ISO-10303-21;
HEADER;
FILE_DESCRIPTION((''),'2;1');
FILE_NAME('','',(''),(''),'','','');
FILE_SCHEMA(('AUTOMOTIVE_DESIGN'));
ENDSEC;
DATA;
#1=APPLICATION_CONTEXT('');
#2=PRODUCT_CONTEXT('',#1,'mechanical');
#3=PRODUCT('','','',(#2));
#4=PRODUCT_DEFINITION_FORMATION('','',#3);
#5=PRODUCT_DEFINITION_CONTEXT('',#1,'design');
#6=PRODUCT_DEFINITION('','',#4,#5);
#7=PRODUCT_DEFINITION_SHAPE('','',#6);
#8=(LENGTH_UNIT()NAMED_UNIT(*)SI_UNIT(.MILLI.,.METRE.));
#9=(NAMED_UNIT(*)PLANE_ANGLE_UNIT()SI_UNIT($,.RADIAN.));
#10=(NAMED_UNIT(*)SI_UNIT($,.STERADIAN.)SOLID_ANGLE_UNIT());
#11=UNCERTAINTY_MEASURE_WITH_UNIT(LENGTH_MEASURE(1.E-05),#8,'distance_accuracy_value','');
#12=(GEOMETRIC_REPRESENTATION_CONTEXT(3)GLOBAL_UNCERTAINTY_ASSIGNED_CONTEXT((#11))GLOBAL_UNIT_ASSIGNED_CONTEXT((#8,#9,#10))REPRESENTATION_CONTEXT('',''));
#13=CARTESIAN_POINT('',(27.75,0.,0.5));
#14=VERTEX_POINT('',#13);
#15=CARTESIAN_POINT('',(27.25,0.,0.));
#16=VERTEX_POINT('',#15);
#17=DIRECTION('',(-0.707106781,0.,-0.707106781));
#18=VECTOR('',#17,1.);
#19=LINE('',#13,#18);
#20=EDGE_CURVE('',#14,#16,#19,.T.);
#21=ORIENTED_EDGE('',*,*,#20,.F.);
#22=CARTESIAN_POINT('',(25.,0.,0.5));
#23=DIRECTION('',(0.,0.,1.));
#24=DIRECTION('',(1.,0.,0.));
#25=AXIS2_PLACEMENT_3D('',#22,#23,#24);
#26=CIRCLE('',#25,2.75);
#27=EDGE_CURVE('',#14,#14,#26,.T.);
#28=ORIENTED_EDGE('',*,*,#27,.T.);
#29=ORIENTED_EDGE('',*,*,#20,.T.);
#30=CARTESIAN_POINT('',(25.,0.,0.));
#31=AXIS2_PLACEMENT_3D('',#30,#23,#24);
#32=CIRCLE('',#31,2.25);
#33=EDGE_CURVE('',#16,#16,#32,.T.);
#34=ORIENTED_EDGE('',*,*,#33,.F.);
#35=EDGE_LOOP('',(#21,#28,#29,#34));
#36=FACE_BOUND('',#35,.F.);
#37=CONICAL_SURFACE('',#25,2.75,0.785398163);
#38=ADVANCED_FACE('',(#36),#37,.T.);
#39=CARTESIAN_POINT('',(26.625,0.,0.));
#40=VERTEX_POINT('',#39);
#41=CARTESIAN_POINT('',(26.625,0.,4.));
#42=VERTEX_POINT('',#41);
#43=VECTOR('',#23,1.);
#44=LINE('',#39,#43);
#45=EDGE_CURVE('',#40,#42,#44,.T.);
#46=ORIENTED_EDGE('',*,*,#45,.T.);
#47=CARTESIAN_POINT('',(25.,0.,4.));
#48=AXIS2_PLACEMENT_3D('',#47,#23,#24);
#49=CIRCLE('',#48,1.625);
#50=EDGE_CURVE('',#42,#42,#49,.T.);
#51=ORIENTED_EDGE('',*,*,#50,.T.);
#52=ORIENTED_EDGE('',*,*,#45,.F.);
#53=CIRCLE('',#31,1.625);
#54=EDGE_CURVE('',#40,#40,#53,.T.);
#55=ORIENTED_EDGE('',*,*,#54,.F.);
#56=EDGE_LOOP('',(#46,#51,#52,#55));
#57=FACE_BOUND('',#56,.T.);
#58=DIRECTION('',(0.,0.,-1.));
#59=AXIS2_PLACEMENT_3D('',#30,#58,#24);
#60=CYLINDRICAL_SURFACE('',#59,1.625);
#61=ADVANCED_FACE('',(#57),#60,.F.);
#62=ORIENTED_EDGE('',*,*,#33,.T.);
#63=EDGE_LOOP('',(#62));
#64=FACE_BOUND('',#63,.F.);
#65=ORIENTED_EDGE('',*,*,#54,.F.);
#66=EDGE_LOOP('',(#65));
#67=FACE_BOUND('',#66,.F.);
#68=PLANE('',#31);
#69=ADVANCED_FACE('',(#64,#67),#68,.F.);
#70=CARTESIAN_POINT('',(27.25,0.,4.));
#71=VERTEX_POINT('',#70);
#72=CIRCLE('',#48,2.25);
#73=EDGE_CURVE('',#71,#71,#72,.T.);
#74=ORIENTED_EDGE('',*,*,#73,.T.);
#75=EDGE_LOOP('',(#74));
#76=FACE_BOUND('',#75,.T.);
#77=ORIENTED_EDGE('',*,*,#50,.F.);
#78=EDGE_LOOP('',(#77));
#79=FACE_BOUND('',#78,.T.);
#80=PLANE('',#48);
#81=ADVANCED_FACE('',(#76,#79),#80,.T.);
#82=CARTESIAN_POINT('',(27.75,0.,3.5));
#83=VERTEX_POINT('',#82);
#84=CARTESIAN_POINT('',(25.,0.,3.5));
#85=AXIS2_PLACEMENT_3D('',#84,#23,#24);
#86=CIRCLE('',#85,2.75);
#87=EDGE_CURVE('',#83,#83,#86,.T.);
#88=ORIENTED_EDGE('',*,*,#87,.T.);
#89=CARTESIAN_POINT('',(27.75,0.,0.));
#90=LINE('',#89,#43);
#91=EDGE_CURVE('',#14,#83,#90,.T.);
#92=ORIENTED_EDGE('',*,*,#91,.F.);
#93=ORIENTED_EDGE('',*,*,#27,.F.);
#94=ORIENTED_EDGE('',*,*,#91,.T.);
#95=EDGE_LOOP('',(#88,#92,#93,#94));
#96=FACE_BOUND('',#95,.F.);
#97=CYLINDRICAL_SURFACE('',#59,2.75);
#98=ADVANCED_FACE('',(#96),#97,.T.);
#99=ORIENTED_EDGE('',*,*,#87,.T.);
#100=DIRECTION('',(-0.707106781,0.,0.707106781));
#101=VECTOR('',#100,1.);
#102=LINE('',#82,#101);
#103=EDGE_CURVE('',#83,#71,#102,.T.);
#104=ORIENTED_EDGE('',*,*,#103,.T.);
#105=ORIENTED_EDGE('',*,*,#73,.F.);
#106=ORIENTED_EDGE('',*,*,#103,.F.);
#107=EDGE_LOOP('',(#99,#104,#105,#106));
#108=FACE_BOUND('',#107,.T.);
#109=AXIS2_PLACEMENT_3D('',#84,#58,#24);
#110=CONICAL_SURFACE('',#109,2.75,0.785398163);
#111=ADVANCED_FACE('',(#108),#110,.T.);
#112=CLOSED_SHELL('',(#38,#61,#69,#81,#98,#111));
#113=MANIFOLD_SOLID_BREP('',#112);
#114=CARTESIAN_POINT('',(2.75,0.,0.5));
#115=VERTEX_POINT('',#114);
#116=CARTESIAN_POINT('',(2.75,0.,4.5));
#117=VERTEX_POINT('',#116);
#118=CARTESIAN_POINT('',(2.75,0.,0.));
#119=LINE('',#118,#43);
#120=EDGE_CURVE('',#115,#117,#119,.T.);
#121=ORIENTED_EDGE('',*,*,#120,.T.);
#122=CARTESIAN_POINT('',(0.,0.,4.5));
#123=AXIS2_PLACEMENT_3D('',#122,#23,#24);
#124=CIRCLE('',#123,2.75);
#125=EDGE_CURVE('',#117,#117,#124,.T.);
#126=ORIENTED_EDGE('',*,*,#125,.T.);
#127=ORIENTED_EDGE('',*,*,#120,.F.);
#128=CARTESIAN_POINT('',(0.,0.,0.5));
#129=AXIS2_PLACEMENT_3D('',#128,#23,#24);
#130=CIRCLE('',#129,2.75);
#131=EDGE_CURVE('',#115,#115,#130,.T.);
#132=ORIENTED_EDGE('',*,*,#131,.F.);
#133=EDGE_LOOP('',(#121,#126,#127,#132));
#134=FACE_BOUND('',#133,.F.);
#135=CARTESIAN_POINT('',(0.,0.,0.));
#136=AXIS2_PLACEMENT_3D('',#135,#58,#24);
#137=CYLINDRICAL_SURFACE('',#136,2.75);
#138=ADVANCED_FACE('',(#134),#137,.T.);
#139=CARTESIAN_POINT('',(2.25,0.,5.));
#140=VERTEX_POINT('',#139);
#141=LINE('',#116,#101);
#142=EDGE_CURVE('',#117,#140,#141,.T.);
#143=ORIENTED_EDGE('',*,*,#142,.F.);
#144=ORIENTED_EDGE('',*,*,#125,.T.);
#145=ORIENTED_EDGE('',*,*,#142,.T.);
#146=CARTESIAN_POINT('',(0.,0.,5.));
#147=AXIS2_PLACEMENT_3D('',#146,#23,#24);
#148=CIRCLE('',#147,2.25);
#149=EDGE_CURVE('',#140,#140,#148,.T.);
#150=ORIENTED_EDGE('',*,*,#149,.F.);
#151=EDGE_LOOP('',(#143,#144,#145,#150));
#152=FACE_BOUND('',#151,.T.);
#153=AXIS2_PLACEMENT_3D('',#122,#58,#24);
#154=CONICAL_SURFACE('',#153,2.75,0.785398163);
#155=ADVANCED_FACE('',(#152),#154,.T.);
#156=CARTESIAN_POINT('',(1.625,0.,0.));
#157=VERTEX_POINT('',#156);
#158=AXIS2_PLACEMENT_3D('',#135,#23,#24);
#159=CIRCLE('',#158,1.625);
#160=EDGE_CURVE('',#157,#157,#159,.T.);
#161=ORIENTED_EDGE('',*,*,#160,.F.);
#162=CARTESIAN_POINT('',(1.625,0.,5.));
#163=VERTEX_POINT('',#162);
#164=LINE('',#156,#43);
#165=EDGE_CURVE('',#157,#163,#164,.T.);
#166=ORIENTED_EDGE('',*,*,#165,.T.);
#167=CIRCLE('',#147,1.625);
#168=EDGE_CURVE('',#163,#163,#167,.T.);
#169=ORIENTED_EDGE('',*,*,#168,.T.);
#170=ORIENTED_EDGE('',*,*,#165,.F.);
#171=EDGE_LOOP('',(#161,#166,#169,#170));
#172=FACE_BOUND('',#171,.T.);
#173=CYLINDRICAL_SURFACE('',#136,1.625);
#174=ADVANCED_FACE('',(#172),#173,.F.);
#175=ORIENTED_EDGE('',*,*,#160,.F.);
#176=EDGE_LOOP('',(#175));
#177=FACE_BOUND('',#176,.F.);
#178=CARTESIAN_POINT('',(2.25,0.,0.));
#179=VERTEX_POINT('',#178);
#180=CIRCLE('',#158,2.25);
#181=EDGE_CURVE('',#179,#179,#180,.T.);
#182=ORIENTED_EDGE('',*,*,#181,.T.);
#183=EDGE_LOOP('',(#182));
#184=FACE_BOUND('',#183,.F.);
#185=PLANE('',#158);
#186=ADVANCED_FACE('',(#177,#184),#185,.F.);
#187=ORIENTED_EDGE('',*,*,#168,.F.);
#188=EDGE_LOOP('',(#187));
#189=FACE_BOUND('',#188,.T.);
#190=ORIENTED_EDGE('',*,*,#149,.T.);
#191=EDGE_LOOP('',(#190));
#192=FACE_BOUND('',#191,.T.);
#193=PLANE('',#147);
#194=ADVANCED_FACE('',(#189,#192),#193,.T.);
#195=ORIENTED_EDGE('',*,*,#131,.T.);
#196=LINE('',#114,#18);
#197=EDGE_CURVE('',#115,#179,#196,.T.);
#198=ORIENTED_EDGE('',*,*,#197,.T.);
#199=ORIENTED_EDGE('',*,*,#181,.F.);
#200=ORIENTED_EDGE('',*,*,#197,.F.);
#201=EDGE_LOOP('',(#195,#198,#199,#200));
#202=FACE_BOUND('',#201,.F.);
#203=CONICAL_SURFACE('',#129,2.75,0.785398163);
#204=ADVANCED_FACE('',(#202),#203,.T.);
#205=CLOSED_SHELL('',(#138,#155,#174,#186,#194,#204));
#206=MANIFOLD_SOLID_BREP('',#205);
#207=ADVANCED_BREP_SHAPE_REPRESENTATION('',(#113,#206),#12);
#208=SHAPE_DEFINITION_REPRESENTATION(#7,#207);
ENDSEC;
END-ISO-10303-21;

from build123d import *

# Parameters (mm, degrees)
F0_R      = 2.75
F0_R_2    = 1.625
F1_DEPTH  = 5
F2_DEPTH  = 4
F3_SIZE   = 0.5
F3_2_SIZE = 0.5


with BuildPart() as f1:
    # F0 (on Top) → F1 (new body)
    with BuildSketch(Plane.XY):
        Circle(F0_R)
        Circle(F0_R_2, mode=Mode.SUBTRACT)
    extrude(amount=F1_DEPTH)

    # F3
    f3_edges = [f1.edges().sort_by_distance(p)[0] for p in [
        (-2.75, 0, 5),
        (-2.75, 0, 0),
    ]]
    chamfer(f3_edges, length=F3_SIZE)


with BuildPart() as f2:
    # F0 (on Top) → F2 (new body)
    with BuildSketch(Plane.XY):
        with Locations((25, 0)):
            Circle(F0_R)
        with Locations((25, 0)):
            Circle(F0_R_2, mode=Mode.SUBTRACT)
    extrude(amount=F2_DEPTH)

    # F3#2
    f3_2_edges = [f2.edges().sort_by_distance(p)[0] for p in [
        (22.25, 0, 0),
        (22.25, 0, 4),
    ]]
    chamfer(f3_2_edges, length=F3_2_SIZE)


solid = Compound([f1.part, f2.part])
